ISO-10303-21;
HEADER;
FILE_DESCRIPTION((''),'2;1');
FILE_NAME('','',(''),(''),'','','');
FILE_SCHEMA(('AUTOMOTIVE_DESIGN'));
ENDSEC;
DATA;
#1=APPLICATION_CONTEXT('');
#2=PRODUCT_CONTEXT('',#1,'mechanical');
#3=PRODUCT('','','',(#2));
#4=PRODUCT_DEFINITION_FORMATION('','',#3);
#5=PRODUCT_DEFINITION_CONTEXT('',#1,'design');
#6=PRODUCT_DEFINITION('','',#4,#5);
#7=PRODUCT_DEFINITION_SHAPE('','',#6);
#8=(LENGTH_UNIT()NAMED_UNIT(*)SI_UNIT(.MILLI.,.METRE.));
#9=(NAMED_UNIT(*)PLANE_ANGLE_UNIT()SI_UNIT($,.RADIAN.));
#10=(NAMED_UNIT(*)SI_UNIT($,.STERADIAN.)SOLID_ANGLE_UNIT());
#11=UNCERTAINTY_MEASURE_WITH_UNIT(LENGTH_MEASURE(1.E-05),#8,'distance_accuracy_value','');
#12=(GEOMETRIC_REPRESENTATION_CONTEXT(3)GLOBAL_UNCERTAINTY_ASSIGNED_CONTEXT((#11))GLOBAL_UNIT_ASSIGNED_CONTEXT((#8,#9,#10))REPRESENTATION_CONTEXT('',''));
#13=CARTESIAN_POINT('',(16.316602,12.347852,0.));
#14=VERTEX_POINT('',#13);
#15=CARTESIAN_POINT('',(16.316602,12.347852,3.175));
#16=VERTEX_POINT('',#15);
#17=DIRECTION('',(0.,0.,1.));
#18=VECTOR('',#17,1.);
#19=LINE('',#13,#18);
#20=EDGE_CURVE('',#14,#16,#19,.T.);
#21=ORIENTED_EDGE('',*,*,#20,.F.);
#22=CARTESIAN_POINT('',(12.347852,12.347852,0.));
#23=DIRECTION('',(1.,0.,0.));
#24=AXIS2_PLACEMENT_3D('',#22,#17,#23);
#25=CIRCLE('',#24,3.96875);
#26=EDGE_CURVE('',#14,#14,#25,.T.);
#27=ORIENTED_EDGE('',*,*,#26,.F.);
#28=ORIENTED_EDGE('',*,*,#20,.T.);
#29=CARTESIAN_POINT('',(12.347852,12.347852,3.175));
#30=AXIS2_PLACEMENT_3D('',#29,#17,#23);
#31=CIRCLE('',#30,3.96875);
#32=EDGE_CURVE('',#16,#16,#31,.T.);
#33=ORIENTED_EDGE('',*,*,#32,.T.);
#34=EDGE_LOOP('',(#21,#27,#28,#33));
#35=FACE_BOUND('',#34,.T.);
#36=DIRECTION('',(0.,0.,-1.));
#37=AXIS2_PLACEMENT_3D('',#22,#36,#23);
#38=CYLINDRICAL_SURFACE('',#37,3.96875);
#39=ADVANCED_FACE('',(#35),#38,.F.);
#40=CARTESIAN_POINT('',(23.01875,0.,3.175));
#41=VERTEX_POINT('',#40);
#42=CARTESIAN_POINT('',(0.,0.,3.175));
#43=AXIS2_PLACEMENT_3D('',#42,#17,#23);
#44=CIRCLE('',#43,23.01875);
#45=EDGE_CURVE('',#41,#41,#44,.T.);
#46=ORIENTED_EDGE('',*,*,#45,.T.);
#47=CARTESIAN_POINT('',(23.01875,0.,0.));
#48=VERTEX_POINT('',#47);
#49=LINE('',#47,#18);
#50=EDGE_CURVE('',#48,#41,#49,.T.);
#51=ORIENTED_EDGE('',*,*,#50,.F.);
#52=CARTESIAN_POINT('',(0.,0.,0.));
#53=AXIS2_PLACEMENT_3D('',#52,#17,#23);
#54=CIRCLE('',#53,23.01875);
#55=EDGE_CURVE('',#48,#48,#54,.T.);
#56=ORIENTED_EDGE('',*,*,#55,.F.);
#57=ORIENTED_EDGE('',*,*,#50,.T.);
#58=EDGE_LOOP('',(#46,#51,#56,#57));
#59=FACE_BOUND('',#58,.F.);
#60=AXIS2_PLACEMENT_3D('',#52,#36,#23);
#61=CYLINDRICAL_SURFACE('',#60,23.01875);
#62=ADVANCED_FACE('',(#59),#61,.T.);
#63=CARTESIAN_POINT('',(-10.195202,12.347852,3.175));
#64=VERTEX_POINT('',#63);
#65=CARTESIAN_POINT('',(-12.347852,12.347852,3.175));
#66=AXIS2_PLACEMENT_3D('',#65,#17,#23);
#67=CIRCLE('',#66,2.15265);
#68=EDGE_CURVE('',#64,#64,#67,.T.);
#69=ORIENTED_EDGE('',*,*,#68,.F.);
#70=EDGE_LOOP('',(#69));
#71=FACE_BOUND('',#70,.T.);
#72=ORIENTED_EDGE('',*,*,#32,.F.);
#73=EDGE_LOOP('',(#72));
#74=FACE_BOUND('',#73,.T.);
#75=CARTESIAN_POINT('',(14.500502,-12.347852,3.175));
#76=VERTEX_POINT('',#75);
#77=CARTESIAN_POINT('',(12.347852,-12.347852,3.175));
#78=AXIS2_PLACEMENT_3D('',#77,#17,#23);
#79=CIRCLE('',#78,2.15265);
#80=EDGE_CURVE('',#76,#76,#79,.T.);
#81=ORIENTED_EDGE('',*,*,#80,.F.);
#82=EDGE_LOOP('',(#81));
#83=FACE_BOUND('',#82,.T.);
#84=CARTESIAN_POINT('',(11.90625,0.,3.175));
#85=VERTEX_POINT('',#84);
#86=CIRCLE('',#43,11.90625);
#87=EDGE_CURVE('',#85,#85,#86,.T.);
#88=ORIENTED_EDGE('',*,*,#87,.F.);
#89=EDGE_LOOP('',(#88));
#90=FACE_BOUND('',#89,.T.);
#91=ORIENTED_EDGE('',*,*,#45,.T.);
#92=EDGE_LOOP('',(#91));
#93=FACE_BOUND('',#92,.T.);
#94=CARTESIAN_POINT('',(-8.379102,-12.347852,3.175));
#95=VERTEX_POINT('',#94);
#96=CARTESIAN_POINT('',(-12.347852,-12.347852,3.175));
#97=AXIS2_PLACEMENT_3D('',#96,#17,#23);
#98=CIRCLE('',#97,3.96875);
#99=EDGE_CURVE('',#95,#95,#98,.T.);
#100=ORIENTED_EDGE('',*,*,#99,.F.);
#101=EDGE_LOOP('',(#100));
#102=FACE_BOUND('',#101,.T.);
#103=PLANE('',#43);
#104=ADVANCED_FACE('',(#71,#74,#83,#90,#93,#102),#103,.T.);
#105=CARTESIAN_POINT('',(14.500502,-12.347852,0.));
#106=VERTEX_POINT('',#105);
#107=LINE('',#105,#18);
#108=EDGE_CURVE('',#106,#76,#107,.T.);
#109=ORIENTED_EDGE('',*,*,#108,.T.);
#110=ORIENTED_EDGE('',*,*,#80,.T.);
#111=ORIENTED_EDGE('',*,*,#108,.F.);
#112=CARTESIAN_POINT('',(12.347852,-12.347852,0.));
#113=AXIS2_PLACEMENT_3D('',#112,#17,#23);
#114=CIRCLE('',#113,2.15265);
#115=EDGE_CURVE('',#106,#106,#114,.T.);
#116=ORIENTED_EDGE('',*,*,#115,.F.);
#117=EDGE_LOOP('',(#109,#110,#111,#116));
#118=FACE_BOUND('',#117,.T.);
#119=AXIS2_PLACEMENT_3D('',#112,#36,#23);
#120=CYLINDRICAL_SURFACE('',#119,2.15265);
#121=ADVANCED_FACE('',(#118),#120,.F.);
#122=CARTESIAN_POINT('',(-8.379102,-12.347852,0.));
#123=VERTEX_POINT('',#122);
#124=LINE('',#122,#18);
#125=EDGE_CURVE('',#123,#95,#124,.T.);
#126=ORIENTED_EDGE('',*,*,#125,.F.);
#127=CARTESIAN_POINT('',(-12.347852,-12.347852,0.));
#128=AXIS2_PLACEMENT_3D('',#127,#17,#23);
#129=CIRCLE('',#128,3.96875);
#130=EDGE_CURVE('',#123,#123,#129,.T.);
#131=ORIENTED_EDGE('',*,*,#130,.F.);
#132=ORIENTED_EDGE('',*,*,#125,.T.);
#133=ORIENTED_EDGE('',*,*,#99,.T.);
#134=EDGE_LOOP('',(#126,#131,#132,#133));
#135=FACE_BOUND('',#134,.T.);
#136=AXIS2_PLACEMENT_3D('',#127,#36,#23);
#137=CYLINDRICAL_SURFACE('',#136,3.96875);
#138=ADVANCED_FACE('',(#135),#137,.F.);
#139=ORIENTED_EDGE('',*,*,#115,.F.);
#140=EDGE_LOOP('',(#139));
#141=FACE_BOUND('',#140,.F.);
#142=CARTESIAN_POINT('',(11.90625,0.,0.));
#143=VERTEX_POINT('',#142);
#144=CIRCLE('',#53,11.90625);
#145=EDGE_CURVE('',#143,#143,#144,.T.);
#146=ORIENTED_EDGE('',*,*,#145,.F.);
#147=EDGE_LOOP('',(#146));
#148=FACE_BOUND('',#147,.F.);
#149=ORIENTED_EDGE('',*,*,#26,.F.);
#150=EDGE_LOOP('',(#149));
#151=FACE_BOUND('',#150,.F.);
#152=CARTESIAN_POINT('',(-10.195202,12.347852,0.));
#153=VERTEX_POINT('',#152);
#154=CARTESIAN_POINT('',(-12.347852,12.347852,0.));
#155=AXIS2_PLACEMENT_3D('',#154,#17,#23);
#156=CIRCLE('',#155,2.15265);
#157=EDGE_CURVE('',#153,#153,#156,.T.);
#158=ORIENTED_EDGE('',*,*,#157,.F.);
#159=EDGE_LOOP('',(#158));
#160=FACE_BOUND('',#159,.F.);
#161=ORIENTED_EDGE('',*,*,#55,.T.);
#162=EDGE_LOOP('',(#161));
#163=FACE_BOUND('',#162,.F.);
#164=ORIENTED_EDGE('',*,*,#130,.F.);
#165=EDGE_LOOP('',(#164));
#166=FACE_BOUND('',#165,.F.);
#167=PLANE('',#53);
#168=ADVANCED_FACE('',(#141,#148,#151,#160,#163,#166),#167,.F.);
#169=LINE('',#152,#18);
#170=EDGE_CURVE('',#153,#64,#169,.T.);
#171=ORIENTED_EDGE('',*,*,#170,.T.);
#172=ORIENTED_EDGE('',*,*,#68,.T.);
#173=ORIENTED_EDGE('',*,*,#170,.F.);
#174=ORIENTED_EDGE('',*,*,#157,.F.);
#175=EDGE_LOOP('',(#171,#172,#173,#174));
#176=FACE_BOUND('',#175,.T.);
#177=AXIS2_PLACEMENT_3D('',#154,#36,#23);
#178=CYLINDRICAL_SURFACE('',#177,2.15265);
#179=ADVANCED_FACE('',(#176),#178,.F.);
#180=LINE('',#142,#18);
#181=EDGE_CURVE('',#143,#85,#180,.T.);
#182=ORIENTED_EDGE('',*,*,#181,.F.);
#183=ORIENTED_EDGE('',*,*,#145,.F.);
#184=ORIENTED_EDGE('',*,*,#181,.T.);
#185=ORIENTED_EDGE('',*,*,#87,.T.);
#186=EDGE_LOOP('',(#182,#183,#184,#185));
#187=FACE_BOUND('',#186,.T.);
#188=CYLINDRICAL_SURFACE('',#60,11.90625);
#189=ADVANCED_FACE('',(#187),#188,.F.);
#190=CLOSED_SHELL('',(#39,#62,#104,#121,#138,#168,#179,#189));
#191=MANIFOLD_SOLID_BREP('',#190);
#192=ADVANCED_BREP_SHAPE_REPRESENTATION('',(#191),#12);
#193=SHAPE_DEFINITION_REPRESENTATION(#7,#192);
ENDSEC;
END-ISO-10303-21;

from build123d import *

# Parameters (mm, degrees)
F0_R     = 23.01875
F0_R_2   = 3.96875
F0_R_3   = 2.15265
F0_R_4   = 11.90625
F1_DEPTH = 3.175


with BuildPart() as f1:
    # F0 (on Top) → F1 (new body)
    with BuildSketch(Plane.XY):
        Circle(F0_R)
        with Locations((-12.347852, -12.347852)):
            Circle(F0_R_2, mode=Mode.SUBTRACT)
        with Locations((12.347852, -12.347852)):
            Circle(F0_R_3, mode=Mode.SUBTRACT)
        with Locations((-12.347852, 12.347852)):
            Circle(F0_R_3, mode=Mode.SUBTRACT)
        Circle(F0_R_4, mode=Mode.SUBTRACT)
        with Locations((12.347852, 12.347852)):
            Circle(F0_R_2, mode=Mode.SUBTRACT)
    extrude(amount=F1_DEPTH)


solid = f1.part
